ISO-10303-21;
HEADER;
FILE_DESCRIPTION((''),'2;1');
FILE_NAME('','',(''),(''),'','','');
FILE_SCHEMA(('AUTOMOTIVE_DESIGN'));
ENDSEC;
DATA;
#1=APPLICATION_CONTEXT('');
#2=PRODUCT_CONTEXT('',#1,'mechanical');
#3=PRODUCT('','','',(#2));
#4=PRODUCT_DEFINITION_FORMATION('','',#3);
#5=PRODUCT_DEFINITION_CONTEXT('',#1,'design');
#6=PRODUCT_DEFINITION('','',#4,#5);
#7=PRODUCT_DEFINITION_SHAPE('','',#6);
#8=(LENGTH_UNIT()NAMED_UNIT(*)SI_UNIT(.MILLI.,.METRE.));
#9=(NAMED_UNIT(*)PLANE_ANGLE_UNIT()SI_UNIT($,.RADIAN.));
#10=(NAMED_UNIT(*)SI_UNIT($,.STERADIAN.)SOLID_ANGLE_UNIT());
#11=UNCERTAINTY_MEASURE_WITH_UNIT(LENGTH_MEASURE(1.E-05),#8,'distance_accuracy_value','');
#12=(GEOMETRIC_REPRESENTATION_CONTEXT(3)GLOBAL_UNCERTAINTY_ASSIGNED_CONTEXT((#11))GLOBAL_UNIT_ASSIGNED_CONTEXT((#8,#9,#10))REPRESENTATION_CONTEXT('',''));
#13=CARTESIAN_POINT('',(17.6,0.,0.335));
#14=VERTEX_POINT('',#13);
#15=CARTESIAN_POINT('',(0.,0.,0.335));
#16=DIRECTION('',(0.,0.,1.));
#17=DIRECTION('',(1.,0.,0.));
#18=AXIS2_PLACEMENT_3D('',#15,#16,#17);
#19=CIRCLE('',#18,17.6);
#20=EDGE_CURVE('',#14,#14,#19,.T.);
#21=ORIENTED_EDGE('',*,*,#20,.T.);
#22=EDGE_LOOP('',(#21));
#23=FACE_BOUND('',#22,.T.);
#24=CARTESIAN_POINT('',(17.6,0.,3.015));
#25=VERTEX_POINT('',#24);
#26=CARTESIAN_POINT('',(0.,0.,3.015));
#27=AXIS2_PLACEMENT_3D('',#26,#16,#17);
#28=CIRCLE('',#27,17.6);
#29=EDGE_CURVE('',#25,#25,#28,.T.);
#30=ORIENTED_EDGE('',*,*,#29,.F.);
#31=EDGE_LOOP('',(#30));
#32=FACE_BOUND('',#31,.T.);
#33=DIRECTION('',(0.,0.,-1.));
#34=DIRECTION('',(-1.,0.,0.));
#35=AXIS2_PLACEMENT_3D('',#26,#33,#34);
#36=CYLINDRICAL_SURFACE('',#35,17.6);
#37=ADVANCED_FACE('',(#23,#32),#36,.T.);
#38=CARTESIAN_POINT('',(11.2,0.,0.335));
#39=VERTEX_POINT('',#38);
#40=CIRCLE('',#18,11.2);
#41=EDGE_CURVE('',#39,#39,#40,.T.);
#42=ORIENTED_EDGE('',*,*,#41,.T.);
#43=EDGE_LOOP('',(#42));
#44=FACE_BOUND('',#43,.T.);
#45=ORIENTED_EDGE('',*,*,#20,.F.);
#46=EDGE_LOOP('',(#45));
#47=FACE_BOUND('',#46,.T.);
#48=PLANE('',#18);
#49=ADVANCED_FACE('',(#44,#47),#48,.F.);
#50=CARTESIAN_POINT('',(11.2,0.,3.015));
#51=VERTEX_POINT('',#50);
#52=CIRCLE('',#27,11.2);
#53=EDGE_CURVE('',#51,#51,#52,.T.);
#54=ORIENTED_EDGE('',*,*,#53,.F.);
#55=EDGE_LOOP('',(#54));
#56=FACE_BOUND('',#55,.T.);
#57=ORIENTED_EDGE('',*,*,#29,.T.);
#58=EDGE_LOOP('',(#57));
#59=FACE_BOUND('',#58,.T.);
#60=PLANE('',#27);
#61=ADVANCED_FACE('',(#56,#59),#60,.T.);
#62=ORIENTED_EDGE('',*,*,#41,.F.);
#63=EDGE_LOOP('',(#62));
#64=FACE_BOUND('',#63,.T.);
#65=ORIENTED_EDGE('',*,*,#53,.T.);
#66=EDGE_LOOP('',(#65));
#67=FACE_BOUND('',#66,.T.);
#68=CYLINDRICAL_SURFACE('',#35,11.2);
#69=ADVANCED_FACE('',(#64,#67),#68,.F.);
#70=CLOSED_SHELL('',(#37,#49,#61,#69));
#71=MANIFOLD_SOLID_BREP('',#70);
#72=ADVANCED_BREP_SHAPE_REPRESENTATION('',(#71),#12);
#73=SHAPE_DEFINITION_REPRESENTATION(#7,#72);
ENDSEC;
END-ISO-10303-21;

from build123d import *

# Parameters (mm, degrees)
SKETCH1_R           = 22
SKETCH1_R_2         = 14
EXTRUDE_THIN1_DEPTH = 3.35
SCALE1_SCALE        = 0.8


with BuildPart() as part:
    # Sketch1 → Extrude-Thin1 (new body)
    with BuildSketch(Plane.XY):
        Circle(SKETCH1_R)
        Circle(SKETCH1_R_2, mode=Mode.SUBTRACT)
    extrude(amount=EXTRUDE_THIN1_DEPTH)


with BuildPart() as part_1:
    # Scale1: scaled about (0, 0, 1.675)
    add(part.part.scale(SCALE1_SCALE).moved(Location((0, 0, 0.335))))


solid = part_1.part
